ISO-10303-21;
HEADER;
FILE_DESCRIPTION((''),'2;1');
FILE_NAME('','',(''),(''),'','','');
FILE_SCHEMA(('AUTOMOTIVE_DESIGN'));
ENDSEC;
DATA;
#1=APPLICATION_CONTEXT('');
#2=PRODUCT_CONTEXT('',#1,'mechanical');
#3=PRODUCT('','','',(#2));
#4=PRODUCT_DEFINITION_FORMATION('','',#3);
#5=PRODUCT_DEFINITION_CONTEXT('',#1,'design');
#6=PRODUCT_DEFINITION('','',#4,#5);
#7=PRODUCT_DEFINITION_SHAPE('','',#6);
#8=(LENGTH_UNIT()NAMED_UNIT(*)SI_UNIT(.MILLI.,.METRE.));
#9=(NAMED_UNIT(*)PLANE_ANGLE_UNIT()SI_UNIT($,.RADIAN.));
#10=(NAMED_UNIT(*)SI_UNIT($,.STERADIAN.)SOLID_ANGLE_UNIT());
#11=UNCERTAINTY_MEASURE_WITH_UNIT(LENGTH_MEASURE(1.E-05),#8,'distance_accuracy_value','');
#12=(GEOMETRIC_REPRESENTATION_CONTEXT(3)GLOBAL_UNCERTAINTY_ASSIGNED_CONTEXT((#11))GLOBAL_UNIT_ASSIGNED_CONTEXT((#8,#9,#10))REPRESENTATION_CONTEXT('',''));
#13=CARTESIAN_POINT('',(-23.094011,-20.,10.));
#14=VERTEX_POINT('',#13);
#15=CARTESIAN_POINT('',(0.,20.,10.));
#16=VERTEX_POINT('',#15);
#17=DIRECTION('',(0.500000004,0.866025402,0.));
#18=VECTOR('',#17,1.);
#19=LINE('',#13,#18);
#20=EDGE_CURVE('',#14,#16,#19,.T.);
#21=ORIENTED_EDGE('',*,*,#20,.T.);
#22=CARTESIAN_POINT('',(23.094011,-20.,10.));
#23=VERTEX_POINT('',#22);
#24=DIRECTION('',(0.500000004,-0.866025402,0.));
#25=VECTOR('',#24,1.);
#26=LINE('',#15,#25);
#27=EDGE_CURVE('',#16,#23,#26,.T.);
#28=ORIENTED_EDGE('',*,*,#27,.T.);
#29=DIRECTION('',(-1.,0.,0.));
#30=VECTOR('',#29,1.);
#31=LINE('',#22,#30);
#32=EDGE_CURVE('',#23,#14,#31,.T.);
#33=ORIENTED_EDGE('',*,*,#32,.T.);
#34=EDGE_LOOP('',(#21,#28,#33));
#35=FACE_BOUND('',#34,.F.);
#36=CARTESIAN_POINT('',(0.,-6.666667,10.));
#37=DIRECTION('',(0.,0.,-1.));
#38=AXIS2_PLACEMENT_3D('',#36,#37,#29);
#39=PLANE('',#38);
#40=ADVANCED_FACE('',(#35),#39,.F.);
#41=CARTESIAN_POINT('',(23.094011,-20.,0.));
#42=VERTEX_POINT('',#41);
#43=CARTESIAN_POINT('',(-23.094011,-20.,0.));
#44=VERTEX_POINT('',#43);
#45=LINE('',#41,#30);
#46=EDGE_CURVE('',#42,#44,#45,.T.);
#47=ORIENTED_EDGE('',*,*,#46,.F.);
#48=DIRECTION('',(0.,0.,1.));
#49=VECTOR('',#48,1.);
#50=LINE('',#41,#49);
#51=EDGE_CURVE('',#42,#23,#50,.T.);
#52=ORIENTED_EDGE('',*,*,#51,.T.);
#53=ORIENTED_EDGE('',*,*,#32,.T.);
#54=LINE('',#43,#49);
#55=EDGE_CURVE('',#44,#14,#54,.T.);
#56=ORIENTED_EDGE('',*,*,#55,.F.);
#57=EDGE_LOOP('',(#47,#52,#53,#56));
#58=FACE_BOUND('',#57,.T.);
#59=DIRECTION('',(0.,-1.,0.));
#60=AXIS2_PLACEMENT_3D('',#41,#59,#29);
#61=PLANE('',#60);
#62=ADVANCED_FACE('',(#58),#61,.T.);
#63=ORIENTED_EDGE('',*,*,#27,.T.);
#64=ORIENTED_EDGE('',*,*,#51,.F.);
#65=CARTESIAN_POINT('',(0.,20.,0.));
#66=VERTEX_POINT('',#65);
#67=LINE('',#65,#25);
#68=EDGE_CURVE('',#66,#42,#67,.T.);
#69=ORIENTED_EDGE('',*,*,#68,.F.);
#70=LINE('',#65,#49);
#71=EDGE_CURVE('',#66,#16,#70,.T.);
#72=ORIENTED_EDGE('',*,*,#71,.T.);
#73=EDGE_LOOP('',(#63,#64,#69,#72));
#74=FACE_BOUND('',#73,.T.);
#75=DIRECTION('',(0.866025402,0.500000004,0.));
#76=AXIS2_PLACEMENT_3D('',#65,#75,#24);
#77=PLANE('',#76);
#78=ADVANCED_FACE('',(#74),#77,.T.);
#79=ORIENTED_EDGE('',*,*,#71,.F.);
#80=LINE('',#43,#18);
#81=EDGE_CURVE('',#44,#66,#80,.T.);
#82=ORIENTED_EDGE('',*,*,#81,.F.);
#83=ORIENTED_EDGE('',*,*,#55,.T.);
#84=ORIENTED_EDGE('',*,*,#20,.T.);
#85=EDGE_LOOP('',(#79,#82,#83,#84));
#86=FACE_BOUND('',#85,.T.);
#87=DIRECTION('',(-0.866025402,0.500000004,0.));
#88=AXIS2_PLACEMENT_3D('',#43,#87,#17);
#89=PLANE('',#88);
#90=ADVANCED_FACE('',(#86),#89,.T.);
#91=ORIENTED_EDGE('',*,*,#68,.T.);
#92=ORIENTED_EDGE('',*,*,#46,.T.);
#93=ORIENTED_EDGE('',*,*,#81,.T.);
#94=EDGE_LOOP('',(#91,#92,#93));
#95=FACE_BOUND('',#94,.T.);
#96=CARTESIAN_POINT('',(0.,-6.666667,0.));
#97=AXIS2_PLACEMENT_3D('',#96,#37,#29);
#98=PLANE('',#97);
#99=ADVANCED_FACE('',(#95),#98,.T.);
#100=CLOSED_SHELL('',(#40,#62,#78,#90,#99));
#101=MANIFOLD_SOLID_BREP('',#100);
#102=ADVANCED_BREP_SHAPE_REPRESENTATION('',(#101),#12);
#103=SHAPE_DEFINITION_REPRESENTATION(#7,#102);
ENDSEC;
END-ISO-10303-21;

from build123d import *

# Parameters (mm, degrees)
PAD_DEPTH = 10


with BuildPart() as part:
    # Sketch → Pad (new body)
    with BuildSketch(Plane.XY):
        Polygon((-23.094011, -20), (0, 20), (23.094011, -20), align=None)
    extrude(amount=PAD_DEPTH)


solid = part.part
